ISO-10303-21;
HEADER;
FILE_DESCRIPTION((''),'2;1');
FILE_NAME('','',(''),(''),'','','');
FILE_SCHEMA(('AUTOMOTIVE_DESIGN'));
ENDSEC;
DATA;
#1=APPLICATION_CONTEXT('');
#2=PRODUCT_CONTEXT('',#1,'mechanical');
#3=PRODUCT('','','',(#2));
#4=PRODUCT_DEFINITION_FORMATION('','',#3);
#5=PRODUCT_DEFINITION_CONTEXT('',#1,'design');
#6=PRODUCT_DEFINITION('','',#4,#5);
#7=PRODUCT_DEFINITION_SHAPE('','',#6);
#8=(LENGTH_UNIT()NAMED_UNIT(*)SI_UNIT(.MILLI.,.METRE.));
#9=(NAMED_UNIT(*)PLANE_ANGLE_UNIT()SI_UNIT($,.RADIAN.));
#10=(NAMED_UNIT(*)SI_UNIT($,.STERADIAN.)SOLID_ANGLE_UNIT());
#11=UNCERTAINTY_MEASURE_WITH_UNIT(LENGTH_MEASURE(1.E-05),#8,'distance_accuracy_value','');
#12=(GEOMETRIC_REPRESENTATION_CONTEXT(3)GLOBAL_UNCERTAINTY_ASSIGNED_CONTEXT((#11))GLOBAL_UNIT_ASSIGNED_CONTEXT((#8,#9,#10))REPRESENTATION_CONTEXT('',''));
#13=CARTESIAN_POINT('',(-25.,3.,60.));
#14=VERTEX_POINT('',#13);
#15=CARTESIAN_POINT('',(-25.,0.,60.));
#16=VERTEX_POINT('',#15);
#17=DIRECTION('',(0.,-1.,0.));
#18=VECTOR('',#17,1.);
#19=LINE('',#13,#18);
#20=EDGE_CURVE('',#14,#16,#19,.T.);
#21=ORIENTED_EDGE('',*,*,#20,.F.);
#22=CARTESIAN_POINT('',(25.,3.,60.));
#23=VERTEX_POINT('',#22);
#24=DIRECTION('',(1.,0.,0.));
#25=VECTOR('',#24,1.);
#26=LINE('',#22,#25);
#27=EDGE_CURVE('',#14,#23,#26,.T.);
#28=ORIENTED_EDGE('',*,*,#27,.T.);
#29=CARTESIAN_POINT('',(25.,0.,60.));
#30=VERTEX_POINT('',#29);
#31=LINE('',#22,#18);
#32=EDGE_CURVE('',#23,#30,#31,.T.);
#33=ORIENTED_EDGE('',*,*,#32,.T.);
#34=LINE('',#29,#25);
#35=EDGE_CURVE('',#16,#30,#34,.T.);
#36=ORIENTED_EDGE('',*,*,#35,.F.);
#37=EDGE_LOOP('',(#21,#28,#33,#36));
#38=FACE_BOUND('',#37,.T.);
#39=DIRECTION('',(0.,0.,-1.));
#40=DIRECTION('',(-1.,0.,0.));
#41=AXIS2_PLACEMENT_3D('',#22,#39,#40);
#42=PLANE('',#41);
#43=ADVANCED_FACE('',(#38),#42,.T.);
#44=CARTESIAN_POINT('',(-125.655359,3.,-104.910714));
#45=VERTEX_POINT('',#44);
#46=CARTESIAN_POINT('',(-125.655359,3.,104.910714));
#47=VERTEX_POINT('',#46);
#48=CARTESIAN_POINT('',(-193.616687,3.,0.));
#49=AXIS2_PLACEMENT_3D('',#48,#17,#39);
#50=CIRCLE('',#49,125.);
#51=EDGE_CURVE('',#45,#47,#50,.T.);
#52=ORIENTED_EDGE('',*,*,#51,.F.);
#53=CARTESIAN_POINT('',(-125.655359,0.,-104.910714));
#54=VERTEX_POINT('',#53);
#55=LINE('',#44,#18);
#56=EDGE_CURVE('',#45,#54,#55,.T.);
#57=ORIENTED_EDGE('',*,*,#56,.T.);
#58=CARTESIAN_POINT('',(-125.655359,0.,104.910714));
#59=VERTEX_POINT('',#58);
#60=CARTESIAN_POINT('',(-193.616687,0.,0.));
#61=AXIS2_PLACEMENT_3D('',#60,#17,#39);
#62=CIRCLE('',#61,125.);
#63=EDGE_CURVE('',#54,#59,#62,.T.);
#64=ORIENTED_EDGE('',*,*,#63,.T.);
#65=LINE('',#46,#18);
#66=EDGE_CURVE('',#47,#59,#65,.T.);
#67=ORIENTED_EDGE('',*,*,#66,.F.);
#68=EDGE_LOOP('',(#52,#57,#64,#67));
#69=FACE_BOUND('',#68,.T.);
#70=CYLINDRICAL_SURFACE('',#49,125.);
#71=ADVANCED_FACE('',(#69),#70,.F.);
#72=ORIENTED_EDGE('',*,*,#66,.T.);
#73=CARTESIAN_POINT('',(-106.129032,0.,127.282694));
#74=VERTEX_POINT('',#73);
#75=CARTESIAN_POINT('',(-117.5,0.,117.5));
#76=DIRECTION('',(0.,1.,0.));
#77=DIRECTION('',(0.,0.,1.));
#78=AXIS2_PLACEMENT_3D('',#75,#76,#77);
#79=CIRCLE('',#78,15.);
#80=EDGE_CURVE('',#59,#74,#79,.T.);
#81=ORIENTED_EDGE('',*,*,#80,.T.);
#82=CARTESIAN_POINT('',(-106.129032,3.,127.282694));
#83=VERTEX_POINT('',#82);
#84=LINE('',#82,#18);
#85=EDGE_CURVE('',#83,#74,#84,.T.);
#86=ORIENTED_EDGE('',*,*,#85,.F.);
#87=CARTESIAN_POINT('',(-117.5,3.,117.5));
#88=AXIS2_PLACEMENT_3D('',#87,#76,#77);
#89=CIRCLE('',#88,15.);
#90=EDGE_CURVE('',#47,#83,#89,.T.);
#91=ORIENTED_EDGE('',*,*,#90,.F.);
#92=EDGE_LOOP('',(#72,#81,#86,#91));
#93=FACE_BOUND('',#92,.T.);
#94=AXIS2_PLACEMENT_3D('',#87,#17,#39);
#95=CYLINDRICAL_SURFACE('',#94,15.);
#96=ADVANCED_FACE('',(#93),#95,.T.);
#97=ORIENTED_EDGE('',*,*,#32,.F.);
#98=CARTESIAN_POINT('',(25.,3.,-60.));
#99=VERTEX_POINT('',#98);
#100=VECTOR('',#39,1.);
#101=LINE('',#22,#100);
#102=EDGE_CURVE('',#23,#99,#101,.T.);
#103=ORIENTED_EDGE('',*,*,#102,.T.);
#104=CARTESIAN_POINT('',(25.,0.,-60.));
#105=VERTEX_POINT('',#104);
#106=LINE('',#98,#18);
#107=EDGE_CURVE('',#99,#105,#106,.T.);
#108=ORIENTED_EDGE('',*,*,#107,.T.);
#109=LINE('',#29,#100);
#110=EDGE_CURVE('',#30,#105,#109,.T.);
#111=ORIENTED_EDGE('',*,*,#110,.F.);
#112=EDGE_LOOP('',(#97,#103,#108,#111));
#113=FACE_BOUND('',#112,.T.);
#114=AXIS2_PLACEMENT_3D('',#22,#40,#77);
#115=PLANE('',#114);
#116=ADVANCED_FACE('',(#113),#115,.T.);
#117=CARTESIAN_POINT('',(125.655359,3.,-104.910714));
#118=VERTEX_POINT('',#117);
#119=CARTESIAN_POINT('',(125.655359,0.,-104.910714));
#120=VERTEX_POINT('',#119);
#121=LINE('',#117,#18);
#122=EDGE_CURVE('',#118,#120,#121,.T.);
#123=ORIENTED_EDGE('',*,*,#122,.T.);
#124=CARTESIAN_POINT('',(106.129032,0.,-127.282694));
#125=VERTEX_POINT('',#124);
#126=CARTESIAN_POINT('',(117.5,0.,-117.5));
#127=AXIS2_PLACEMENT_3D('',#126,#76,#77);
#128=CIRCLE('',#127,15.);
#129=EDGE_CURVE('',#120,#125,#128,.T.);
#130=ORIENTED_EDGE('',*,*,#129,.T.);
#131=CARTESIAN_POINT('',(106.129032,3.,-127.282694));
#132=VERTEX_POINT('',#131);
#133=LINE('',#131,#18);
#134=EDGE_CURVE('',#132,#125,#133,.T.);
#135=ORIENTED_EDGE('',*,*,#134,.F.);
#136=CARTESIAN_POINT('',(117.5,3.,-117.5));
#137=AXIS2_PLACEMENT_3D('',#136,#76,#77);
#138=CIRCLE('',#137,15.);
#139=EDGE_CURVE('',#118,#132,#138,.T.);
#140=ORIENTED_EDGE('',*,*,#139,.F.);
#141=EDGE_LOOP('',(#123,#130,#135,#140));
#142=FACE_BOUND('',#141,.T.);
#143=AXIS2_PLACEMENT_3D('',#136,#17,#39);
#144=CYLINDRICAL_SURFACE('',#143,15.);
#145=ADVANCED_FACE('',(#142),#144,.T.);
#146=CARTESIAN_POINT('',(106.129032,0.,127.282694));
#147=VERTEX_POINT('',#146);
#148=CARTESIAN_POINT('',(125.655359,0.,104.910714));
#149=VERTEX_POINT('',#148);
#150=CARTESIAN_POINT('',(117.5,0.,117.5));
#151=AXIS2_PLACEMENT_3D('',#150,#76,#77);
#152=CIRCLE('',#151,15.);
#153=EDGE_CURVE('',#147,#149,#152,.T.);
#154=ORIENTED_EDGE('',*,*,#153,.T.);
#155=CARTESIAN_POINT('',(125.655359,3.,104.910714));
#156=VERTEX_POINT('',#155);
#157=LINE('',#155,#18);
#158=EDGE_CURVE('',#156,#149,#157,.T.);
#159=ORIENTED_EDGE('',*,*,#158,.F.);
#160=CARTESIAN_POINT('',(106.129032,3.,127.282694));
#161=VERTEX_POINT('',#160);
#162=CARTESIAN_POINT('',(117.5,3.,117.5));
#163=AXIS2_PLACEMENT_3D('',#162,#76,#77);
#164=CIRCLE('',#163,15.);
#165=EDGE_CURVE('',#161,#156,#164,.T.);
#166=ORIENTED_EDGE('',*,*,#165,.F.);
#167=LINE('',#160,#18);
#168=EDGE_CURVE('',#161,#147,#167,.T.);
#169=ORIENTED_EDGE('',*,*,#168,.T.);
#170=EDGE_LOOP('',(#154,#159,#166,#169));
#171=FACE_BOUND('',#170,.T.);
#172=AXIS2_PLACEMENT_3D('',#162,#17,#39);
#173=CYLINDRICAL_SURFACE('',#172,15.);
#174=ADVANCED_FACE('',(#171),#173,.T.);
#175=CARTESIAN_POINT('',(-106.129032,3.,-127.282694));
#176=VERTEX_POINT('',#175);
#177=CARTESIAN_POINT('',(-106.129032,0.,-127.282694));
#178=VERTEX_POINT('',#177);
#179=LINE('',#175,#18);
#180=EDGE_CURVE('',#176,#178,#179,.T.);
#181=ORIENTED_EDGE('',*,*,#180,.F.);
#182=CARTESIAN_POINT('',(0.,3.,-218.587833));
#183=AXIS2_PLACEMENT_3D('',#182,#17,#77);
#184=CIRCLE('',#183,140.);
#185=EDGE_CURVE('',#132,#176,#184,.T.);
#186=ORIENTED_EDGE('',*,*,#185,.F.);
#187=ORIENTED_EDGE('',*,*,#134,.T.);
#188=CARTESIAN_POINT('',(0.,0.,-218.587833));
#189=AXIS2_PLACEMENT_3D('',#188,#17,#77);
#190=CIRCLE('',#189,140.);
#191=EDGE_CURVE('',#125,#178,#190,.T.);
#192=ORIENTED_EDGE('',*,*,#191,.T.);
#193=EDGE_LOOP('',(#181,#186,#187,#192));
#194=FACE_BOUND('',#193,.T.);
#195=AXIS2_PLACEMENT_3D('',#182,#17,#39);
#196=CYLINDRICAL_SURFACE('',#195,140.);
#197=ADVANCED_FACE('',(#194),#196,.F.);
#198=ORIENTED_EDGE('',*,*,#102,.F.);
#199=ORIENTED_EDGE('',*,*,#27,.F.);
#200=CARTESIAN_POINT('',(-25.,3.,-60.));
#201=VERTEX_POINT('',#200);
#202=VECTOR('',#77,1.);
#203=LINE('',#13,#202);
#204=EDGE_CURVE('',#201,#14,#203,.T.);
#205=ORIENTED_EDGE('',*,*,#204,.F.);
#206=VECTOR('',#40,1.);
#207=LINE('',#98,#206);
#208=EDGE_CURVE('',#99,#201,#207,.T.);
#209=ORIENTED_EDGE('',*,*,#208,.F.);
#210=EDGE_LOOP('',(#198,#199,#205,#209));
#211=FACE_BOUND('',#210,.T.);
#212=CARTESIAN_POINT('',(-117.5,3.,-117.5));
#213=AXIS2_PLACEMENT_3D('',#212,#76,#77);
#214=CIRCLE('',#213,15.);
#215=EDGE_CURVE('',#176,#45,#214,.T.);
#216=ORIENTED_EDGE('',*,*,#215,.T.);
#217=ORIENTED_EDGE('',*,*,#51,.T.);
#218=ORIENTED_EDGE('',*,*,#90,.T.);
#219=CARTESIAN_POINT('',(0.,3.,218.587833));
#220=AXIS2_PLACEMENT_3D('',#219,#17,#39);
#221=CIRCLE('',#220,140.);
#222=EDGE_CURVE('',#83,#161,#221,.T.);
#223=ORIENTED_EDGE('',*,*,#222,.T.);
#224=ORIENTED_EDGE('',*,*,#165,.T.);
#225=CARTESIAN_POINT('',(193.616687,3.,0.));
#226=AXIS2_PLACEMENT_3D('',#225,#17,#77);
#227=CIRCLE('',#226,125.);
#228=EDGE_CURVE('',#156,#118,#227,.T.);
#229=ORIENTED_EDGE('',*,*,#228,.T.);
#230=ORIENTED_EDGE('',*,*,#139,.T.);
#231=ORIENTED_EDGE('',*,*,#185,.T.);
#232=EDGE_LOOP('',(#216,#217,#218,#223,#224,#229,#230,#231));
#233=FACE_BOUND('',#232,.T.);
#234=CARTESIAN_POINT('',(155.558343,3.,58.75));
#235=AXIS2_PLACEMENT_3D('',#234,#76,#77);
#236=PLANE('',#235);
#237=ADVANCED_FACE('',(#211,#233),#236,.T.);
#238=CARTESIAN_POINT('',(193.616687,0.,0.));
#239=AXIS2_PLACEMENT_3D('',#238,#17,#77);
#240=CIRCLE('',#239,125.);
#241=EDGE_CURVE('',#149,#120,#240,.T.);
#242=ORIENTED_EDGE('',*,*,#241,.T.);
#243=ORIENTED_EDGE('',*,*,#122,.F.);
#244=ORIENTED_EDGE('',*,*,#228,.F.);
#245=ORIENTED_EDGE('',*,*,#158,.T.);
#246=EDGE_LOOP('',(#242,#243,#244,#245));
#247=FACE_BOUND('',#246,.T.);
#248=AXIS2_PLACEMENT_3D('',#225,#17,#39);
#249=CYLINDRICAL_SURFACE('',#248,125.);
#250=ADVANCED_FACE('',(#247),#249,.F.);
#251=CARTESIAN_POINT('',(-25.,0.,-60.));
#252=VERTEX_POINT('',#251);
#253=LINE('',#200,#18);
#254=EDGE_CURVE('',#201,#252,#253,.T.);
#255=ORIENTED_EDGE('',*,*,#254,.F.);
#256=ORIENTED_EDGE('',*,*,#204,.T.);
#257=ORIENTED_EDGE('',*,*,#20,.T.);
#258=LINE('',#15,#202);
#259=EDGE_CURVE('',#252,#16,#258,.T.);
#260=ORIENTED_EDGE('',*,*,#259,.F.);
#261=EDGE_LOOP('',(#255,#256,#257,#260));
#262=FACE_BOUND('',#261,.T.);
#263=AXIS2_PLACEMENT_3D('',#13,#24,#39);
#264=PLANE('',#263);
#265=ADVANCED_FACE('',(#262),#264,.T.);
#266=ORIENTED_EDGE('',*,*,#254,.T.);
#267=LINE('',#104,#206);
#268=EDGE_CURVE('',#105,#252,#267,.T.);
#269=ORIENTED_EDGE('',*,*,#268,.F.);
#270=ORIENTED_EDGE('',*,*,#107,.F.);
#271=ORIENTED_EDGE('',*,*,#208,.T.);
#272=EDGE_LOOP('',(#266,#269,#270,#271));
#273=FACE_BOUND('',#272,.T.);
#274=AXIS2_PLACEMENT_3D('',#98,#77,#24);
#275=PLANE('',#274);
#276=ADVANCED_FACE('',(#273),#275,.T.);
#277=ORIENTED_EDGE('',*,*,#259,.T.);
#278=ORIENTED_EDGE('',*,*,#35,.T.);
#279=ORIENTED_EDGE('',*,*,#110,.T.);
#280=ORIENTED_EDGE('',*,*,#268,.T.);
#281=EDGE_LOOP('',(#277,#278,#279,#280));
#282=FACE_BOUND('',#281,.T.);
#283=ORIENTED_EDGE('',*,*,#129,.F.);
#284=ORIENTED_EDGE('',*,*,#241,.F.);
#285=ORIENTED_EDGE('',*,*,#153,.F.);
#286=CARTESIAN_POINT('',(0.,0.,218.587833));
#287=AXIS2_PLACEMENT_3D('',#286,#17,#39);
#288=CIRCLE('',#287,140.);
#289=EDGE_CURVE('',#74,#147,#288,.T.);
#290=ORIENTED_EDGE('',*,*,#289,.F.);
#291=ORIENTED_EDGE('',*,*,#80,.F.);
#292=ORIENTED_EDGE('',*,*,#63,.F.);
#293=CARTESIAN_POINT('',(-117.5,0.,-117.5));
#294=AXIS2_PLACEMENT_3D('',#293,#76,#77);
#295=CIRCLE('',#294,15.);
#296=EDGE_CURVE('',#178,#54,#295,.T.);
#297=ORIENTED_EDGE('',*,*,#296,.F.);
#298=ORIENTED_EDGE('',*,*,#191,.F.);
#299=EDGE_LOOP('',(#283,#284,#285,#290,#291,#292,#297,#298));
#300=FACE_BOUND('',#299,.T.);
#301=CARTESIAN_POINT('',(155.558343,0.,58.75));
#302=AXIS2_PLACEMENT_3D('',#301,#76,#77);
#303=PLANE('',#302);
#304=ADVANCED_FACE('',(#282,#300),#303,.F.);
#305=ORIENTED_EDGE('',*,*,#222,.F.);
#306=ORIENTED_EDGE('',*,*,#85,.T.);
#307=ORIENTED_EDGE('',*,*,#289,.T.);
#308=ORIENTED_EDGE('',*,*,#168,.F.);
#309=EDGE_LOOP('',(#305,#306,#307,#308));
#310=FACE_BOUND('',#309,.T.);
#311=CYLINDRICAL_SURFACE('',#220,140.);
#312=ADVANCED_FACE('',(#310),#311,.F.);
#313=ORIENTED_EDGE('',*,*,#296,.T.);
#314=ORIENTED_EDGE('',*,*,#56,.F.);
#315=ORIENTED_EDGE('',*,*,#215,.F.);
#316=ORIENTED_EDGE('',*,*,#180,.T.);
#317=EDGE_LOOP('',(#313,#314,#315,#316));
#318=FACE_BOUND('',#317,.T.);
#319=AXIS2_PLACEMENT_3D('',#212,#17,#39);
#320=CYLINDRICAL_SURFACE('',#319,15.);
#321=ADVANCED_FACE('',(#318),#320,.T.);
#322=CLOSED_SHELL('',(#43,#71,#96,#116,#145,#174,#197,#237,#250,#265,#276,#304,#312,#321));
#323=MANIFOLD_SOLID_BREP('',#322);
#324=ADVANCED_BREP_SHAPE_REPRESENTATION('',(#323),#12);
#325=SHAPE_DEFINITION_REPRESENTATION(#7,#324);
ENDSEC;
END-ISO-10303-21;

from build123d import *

# Parameters (mm, degrees)
SKETCH4_W           = 50
SKETCH4_H           = 120
BOSS_EXTRUDE1_DEPTH = 3


with BuildPart() as part:
    # Sketch4 → Boss-Extrude1 (new body)
    with BuildSketch(Plane(origin=(0, 0, 0), x_dir=(1, 0, 0), z_dir=(0, 1, 0))):
        with BuildLine():
            ThreePointArc((-106.129032258, 127.282693525), (-128.800946783, 127.363498456), (-125.655359293, 104.910714286))
            ThreePointArc((-125.655359293, 104.910714286), (-68.616686738, 0), (-125.655359293, -104.910714286))
            ThreePointArc((-125.655359293, -104.910714286), (-128.800946783, -127.363498456), (-106.129032258, -127.282693525))
            ThreePointArc((-106.129032258, -127.282693525), (0, -78.587833096), (106.129032258, -127.282693525))
            ThreePointArc((106.129032258, -127.282693525), (128.800946783, -127.363498456), (125.655359293, -104.910714286))
            ThreePointArc((125.655359293, -104.910714286), (68.616686738, 0), (125.655359293, 104.910714286))
            ThreePointArc((125.655359293, 104.910714286), (128.800946783, 127.363498456), (106.129032258, 127.282693525))
            ThreePointArc((106.129032258, 127.282693525), (0, 78.587833096), (-106.129032258, 127.282693525))
        make_face()
        Rectangle(SKETCH4_W, SKETCH4_H, mode=Mode.SUBTRACT)
    extrude(amount=BOSS_EXTRUDE1_DEPTH)


solid = part.part
